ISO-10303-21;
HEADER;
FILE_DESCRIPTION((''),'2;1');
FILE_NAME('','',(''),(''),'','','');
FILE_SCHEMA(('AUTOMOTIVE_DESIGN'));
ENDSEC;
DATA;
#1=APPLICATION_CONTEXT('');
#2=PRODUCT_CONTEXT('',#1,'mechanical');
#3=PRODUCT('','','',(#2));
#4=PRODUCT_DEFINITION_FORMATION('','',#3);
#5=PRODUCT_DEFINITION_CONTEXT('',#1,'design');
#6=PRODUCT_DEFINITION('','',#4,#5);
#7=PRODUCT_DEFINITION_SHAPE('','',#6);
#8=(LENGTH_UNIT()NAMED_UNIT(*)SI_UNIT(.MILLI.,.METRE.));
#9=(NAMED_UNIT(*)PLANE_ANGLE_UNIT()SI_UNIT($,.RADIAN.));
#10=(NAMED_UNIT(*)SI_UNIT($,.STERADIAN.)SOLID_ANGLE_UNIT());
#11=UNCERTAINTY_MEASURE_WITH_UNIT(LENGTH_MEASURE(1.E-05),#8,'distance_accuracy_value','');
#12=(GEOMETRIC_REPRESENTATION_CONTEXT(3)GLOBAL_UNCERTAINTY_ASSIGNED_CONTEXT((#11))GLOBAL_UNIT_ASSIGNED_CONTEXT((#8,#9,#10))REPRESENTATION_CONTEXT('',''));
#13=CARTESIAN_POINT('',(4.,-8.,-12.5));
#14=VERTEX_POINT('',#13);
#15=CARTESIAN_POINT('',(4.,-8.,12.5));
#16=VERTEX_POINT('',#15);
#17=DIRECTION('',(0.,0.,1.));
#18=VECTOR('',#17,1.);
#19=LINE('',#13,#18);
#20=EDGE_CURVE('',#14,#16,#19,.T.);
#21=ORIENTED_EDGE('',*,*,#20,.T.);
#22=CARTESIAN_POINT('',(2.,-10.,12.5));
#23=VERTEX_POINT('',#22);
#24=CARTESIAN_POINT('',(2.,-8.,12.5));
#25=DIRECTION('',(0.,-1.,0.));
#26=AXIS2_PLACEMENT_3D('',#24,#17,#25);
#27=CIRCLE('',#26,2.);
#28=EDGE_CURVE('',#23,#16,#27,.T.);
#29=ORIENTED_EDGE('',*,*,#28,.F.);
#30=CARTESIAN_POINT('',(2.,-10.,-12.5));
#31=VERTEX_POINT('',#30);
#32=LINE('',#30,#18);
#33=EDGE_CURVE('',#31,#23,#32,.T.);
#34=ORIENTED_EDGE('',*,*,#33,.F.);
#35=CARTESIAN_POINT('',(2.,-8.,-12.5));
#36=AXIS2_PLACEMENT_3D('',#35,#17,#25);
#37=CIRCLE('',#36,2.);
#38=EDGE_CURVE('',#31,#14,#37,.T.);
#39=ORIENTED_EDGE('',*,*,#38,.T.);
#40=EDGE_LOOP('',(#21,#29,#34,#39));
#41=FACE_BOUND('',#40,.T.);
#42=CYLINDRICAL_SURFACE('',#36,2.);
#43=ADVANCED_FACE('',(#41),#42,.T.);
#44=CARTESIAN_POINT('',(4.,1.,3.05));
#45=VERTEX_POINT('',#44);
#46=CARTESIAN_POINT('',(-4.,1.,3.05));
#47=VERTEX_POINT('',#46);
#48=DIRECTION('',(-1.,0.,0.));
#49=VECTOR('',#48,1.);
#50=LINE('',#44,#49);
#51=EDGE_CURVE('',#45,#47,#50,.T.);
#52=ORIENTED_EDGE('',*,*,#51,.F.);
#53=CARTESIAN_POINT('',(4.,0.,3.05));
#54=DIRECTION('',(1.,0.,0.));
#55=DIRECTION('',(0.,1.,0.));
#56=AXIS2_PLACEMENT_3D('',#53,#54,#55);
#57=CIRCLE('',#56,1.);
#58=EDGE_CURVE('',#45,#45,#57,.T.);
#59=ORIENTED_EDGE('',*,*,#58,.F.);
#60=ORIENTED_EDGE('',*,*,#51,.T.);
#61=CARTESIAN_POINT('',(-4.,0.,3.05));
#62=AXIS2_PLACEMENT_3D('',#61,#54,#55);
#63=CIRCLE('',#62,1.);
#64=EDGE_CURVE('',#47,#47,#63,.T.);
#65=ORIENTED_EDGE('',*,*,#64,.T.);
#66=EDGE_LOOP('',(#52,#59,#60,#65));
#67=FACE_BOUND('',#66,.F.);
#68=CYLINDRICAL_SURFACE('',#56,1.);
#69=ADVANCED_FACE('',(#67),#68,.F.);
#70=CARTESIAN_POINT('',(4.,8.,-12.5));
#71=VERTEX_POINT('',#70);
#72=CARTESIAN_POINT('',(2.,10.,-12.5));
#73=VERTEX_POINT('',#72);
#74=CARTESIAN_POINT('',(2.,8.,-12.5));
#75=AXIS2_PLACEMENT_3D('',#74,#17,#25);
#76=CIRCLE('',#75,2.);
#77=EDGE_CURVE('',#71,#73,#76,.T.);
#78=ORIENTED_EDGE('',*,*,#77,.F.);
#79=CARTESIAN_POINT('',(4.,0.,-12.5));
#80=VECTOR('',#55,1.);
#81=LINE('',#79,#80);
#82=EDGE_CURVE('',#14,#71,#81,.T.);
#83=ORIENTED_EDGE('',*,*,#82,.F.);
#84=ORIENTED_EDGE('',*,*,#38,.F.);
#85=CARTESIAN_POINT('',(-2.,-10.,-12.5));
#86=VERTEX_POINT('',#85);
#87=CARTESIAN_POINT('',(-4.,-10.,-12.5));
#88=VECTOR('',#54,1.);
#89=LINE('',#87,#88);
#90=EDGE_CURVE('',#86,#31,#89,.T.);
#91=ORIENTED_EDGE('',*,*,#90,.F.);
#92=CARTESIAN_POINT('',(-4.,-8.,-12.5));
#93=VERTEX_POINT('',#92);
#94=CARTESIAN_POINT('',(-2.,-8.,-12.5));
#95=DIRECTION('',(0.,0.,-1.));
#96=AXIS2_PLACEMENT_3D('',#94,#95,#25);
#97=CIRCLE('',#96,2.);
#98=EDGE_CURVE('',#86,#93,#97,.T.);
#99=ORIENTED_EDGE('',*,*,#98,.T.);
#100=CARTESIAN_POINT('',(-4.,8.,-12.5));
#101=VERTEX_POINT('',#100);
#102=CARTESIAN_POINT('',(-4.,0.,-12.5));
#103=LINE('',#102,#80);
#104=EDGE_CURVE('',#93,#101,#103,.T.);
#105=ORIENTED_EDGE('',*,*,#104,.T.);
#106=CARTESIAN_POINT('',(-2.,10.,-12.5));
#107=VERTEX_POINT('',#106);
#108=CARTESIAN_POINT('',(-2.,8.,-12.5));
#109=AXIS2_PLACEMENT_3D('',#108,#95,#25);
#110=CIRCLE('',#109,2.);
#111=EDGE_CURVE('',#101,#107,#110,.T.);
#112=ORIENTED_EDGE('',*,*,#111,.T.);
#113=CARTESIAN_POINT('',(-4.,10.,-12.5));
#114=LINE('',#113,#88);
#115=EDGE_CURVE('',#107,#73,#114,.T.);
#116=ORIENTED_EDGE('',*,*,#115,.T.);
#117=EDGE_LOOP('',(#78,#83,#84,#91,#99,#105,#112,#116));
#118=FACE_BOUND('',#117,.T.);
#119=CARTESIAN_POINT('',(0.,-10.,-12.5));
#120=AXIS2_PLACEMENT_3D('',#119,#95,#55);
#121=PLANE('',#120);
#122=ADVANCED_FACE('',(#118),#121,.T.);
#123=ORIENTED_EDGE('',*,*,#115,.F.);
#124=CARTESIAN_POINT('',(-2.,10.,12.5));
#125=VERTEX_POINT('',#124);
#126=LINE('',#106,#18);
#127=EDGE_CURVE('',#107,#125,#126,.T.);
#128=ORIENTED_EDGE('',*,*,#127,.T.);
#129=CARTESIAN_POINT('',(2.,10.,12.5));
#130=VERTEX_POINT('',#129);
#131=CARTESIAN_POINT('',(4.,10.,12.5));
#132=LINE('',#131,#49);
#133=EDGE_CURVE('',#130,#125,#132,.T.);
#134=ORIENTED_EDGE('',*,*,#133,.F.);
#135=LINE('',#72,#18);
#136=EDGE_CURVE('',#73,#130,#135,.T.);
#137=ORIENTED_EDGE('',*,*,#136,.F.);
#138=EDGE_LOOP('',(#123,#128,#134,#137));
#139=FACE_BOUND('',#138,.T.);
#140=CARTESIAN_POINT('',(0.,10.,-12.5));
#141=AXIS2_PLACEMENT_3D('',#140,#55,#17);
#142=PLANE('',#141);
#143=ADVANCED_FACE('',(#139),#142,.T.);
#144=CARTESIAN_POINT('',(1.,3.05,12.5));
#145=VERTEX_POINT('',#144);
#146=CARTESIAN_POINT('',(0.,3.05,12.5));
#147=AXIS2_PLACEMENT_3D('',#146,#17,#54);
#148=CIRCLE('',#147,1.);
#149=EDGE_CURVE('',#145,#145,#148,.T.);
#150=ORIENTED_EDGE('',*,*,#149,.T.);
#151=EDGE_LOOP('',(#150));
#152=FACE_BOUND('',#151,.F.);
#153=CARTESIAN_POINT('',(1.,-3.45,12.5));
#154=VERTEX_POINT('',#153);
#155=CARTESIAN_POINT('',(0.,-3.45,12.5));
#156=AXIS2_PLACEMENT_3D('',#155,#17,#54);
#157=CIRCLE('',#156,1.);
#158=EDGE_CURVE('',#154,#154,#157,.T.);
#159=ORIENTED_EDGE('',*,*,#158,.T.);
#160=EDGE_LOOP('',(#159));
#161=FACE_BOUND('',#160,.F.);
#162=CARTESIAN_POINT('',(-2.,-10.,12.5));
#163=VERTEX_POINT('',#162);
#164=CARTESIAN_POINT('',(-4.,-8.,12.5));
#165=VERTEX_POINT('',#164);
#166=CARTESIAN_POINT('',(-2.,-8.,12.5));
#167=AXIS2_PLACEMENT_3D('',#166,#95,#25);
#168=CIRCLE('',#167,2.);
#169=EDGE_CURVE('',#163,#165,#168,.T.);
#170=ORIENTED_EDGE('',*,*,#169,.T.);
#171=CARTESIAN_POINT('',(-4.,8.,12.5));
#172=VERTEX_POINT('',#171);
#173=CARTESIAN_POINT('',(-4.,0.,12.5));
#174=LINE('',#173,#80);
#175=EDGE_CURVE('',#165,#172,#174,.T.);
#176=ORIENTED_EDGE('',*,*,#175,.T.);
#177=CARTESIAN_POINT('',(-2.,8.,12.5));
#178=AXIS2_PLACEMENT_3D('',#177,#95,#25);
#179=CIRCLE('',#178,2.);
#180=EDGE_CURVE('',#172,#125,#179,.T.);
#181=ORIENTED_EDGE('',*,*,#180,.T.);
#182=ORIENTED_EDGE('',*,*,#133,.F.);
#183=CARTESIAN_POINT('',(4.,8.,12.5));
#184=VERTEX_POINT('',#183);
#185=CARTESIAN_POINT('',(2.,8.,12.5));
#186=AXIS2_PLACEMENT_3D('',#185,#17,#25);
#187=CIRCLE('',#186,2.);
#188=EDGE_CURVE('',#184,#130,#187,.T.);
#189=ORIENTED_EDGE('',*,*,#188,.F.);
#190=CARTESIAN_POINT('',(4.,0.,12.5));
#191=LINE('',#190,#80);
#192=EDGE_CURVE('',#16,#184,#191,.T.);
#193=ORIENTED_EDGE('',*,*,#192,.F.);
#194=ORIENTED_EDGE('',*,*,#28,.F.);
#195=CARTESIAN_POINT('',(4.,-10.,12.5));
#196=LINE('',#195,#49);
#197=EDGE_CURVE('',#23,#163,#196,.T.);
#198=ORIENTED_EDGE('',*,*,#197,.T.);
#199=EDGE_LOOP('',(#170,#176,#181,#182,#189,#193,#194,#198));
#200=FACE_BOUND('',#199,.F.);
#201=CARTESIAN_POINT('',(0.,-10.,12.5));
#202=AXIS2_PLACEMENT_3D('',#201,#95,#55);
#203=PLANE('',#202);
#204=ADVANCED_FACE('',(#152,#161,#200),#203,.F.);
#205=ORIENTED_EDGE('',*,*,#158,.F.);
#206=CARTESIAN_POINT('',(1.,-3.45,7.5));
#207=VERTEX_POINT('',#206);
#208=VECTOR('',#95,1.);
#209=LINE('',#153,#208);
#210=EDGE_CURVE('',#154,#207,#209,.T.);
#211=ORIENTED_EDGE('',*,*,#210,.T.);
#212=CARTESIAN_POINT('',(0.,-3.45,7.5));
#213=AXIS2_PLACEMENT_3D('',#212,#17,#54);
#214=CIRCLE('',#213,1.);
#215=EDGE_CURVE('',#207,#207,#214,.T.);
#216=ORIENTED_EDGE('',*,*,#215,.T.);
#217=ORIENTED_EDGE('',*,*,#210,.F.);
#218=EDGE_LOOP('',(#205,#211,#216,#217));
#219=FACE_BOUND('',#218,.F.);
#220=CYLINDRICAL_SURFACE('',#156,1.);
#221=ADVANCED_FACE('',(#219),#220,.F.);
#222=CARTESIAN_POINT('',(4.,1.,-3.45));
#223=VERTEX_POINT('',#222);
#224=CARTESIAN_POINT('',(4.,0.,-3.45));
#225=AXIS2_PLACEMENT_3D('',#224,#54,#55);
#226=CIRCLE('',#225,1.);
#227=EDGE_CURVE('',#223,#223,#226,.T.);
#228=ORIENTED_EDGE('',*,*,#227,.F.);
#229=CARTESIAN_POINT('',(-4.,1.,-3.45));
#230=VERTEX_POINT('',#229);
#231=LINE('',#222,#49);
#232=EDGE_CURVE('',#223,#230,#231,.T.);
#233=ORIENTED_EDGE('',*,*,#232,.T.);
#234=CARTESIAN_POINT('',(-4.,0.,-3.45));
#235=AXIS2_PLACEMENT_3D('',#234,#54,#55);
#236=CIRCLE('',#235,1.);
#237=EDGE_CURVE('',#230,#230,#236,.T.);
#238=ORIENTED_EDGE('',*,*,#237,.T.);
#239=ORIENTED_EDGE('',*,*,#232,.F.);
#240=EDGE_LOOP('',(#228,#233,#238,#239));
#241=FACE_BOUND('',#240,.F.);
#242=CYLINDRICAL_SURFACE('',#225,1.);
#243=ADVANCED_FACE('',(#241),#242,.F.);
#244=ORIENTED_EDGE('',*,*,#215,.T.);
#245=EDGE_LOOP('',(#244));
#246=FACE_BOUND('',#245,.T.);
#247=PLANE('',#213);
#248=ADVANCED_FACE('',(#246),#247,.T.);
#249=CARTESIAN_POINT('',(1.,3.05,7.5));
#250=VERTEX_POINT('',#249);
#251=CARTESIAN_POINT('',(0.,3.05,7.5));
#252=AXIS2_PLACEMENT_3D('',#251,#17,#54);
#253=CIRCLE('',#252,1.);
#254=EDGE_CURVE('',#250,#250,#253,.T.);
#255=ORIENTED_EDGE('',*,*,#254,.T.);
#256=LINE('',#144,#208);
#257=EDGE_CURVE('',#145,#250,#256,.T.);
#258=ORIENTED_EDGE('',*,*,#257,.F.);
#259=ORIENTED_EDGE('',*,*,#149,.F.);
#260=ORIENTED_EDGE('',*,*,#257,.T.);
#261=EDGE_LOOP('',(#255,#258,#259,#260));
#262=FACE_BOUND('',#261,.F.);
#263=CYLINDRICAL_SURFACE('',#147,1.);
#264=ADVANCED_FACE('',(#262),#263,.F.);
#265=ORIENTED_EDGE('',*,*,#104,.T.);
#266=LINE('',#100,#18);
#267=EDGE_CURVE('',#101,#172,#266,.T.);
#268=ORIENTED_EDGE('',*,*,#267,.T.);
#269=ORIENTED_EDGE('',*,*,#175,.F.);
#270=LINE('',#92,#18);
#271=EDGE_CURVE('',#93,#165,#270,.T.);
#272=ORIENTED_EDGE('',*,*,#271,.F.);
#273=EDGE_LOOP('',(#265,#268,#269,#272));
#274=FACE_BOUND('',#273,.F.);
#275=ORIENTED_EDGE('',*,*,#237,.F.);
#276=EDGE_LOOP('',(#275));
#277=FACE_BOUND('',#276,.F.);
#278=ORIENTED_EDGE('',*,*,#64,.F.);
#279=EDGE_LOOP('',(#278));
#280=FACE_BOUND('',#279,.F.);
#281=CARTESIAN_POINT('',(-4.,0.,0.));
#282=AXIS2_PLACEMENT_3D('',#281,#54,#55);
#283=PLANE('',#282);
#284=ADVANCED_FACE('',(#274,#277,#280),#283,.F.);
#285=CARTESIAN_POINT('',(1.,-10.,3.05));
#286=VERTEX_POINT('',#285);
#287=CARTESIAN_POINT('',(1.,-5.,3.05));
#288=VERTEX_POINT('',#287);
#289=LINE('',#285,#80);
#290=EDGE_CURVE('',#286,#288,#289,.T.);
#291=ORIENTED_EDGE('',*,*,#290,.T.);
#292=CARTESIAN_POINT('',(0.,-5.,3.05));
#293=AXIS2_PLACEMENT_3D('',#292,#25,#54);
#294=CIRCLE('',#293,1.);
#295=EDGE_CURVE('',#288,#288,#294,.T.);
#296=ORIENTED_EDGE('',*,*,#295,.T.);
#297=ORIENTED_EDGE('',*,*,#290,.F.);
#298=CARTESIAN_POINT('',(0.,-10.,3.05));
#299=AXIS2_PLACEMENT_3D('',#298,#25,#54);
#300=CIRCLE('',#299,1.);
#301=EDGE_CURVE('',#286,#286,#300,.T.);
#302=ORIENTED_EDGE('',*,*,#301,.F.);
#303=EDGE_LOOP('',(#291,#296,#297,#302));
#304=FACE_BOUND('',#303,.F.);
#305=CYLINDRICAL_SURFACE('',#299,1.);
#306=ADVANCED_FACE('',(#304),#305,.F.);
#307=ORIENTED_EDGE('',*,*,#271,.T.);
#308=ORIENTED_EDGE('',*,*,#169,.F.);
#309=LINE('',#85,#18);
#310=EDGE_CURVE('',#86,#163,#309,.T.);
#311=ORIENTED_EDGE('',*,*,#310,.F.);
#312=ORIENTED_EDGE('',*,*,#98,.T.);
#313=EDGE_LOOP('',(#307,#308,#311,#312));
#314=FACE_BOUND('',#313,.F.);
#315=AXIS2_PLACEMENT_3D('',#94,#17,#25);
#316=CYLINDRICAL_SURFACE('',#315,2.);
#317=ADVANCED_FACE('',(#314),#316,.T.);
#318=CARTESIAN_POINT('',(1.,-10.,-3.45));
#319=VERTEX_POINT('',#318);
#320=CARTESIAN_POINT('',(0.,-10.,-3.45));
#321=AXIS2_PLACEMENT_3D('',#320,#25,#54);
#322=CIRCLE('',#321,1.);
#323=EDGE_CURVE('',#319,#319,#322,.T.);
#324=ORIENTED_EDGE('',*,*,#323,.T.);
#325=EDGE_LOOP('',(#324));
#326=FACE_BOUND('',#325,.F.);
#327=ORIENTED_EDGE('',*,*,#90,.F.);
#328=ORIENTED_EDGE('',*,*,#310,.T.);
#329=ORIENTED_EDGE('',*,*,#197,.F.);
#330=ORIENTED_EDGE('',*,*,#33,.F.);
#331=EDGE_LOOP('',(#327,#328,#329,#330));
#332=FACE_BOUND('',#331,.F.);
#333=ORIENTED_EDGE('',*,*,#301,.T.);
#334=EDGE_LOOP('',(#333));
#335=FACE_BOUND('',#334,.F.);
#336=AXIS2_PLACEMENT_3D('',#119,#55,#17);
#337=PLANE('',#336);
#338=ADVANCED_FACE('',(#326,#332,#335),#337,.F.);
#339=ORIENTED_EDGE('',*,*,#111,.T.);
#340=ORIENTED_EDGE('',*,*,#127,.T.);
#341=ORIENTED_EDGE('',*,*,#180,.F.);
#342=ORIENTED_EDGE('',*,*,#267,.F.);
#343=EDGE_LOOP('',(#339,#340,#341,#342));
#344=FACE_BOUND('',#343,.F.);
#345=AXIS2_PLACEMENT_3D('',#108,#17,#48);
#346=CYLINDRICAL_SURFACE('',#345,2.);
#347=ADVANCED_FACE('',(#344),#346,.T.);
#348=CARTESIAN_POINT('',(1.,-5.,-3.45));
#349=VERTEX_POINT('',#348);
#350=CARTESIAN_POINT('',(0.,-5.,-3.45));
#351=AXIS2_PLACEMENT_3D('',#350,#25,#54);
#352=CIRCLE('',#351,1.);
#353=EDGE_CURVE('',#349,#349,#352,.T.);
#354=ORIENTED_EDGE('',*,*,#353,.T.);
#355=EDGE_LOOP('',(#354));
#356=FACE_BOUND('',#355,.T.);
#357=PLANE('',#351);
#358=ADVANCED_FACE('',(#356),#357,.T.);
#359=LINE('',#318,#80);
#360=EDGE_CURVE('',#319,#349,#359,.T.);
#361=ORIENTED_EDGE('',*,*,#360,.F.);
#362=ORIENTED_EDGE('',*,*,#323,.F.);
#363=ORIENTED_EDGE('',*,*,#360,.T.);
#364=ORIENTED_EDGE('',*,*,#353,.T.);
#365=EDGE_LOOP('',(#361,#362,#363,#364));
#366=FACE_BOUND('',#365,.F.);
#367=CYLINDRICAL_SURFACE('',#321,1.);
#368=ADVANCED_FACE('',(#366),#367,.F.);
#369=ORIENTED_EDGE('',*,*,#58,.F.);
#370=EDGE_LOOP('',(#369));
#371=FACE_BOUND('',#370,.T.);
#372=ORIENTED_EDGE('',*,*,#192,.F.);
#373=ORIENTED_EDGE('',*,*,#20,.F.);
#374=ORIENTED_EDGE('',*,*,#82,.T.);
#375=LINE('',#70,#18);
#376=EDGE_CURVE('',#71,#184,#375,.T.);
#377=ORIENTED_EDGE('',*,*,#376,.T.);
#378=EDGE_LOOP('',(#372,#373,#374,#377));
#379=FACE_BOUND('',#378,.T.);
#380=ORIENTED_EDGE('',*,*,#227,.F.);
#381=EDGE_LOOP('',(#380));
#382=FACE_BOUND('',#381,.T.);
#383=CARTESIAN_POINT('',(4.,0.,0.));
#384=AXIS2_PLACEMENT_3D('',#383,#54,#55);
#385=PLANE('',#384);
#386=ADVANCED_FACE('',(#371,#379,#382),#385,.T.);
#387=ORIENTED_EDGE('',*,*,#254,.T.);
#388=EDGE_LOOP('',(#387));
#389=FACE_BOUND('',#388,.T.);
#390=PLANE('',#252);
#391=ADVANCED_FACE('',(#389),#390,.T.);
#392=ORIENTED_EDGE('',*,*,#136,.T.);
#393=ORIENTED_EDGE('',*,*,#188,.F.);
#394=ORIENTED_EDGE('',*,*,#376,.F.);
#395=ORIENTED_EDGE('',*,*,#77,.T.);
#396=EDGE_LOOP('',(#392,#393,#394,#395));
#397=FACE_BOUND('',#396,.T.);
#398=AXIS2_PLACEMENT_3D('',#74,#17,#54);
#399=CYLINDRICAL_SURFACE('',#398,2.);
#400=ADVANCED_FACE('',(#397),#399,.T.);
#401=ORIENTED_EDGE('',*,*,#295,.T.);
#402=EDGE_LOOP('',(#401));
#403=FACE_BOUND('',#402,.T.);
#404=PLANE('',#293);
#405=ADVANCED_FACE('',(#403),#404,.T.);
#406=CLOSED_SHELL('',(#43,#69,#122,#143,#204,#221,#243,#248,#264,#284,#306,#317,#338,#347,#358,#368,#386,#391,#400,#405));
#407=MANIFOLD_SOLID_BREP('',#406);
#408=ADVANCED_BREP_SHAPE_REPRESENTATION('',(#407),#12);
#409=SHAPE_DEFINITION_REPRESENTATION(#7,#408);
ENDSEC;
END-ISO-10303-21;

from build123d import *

# Parameters (mm, degrees)
F0_W     = 20
F0_H     = 25
F1_DEPTH = 4
F2_R     = 1
F5_DEPTH = 25
F3_R     = 1
F6_DEPTH = 5
F4_R     = 1
F7_DEPTH = 5
F8_R     = 2


with BuildPart() as f1:
    # F0 (on Right) → F1 (new body, symmetric)
    with BuildSketch(Plane.YZ):
        Rectangle(F0_W, F0_H)
    extrude(amount=F1_DEPTH, both=True)

    # F2 (on face) → F5 (cut)
    with BuildSketch(Plane.YZ.offset(4)):
        with Locations((0, 3.05)):
            Circle(F2_R)
        with Locations((0, -3.45)):
            Circle(F2_R)
    extrude(amount=-F5_DEPTH, mode=Mode.SUBTRACT)

    # F3 (on face) → F6 (cut)
    with BuildSketch(Plane.XY.offset(12.5)):
        with Locations((0, -3.45)):
            Circle(F3_R)
        with Locations((0, 3.05)):
            Circle(F3_R)
    extrude(amount=-F6_DEPTH, mode=Mode.SUBTRACT)

    # F4 (on face) → F7 (cut)
    with BuildSketch(Plane.XZ.offset(10)):
        with Locations((0, 3.05)):
            Circle(F4_R)
        with Locations((0, -3.45)):
            Circle(F4_R)
    extrude(amount=-F7_DEPTH, mode=Mode.SUBTRACT)

    # F8
    f8_edges = [f1.edges().sort_by_distance(p)[0] for p in [
        (4, -10, 0),
        (-4, -10, 0),
        (4, 10, 0),
        (-4, 10, 0),
    ]]
    fillet(f8_edges, radius=F8_R)


solid = f1.part
